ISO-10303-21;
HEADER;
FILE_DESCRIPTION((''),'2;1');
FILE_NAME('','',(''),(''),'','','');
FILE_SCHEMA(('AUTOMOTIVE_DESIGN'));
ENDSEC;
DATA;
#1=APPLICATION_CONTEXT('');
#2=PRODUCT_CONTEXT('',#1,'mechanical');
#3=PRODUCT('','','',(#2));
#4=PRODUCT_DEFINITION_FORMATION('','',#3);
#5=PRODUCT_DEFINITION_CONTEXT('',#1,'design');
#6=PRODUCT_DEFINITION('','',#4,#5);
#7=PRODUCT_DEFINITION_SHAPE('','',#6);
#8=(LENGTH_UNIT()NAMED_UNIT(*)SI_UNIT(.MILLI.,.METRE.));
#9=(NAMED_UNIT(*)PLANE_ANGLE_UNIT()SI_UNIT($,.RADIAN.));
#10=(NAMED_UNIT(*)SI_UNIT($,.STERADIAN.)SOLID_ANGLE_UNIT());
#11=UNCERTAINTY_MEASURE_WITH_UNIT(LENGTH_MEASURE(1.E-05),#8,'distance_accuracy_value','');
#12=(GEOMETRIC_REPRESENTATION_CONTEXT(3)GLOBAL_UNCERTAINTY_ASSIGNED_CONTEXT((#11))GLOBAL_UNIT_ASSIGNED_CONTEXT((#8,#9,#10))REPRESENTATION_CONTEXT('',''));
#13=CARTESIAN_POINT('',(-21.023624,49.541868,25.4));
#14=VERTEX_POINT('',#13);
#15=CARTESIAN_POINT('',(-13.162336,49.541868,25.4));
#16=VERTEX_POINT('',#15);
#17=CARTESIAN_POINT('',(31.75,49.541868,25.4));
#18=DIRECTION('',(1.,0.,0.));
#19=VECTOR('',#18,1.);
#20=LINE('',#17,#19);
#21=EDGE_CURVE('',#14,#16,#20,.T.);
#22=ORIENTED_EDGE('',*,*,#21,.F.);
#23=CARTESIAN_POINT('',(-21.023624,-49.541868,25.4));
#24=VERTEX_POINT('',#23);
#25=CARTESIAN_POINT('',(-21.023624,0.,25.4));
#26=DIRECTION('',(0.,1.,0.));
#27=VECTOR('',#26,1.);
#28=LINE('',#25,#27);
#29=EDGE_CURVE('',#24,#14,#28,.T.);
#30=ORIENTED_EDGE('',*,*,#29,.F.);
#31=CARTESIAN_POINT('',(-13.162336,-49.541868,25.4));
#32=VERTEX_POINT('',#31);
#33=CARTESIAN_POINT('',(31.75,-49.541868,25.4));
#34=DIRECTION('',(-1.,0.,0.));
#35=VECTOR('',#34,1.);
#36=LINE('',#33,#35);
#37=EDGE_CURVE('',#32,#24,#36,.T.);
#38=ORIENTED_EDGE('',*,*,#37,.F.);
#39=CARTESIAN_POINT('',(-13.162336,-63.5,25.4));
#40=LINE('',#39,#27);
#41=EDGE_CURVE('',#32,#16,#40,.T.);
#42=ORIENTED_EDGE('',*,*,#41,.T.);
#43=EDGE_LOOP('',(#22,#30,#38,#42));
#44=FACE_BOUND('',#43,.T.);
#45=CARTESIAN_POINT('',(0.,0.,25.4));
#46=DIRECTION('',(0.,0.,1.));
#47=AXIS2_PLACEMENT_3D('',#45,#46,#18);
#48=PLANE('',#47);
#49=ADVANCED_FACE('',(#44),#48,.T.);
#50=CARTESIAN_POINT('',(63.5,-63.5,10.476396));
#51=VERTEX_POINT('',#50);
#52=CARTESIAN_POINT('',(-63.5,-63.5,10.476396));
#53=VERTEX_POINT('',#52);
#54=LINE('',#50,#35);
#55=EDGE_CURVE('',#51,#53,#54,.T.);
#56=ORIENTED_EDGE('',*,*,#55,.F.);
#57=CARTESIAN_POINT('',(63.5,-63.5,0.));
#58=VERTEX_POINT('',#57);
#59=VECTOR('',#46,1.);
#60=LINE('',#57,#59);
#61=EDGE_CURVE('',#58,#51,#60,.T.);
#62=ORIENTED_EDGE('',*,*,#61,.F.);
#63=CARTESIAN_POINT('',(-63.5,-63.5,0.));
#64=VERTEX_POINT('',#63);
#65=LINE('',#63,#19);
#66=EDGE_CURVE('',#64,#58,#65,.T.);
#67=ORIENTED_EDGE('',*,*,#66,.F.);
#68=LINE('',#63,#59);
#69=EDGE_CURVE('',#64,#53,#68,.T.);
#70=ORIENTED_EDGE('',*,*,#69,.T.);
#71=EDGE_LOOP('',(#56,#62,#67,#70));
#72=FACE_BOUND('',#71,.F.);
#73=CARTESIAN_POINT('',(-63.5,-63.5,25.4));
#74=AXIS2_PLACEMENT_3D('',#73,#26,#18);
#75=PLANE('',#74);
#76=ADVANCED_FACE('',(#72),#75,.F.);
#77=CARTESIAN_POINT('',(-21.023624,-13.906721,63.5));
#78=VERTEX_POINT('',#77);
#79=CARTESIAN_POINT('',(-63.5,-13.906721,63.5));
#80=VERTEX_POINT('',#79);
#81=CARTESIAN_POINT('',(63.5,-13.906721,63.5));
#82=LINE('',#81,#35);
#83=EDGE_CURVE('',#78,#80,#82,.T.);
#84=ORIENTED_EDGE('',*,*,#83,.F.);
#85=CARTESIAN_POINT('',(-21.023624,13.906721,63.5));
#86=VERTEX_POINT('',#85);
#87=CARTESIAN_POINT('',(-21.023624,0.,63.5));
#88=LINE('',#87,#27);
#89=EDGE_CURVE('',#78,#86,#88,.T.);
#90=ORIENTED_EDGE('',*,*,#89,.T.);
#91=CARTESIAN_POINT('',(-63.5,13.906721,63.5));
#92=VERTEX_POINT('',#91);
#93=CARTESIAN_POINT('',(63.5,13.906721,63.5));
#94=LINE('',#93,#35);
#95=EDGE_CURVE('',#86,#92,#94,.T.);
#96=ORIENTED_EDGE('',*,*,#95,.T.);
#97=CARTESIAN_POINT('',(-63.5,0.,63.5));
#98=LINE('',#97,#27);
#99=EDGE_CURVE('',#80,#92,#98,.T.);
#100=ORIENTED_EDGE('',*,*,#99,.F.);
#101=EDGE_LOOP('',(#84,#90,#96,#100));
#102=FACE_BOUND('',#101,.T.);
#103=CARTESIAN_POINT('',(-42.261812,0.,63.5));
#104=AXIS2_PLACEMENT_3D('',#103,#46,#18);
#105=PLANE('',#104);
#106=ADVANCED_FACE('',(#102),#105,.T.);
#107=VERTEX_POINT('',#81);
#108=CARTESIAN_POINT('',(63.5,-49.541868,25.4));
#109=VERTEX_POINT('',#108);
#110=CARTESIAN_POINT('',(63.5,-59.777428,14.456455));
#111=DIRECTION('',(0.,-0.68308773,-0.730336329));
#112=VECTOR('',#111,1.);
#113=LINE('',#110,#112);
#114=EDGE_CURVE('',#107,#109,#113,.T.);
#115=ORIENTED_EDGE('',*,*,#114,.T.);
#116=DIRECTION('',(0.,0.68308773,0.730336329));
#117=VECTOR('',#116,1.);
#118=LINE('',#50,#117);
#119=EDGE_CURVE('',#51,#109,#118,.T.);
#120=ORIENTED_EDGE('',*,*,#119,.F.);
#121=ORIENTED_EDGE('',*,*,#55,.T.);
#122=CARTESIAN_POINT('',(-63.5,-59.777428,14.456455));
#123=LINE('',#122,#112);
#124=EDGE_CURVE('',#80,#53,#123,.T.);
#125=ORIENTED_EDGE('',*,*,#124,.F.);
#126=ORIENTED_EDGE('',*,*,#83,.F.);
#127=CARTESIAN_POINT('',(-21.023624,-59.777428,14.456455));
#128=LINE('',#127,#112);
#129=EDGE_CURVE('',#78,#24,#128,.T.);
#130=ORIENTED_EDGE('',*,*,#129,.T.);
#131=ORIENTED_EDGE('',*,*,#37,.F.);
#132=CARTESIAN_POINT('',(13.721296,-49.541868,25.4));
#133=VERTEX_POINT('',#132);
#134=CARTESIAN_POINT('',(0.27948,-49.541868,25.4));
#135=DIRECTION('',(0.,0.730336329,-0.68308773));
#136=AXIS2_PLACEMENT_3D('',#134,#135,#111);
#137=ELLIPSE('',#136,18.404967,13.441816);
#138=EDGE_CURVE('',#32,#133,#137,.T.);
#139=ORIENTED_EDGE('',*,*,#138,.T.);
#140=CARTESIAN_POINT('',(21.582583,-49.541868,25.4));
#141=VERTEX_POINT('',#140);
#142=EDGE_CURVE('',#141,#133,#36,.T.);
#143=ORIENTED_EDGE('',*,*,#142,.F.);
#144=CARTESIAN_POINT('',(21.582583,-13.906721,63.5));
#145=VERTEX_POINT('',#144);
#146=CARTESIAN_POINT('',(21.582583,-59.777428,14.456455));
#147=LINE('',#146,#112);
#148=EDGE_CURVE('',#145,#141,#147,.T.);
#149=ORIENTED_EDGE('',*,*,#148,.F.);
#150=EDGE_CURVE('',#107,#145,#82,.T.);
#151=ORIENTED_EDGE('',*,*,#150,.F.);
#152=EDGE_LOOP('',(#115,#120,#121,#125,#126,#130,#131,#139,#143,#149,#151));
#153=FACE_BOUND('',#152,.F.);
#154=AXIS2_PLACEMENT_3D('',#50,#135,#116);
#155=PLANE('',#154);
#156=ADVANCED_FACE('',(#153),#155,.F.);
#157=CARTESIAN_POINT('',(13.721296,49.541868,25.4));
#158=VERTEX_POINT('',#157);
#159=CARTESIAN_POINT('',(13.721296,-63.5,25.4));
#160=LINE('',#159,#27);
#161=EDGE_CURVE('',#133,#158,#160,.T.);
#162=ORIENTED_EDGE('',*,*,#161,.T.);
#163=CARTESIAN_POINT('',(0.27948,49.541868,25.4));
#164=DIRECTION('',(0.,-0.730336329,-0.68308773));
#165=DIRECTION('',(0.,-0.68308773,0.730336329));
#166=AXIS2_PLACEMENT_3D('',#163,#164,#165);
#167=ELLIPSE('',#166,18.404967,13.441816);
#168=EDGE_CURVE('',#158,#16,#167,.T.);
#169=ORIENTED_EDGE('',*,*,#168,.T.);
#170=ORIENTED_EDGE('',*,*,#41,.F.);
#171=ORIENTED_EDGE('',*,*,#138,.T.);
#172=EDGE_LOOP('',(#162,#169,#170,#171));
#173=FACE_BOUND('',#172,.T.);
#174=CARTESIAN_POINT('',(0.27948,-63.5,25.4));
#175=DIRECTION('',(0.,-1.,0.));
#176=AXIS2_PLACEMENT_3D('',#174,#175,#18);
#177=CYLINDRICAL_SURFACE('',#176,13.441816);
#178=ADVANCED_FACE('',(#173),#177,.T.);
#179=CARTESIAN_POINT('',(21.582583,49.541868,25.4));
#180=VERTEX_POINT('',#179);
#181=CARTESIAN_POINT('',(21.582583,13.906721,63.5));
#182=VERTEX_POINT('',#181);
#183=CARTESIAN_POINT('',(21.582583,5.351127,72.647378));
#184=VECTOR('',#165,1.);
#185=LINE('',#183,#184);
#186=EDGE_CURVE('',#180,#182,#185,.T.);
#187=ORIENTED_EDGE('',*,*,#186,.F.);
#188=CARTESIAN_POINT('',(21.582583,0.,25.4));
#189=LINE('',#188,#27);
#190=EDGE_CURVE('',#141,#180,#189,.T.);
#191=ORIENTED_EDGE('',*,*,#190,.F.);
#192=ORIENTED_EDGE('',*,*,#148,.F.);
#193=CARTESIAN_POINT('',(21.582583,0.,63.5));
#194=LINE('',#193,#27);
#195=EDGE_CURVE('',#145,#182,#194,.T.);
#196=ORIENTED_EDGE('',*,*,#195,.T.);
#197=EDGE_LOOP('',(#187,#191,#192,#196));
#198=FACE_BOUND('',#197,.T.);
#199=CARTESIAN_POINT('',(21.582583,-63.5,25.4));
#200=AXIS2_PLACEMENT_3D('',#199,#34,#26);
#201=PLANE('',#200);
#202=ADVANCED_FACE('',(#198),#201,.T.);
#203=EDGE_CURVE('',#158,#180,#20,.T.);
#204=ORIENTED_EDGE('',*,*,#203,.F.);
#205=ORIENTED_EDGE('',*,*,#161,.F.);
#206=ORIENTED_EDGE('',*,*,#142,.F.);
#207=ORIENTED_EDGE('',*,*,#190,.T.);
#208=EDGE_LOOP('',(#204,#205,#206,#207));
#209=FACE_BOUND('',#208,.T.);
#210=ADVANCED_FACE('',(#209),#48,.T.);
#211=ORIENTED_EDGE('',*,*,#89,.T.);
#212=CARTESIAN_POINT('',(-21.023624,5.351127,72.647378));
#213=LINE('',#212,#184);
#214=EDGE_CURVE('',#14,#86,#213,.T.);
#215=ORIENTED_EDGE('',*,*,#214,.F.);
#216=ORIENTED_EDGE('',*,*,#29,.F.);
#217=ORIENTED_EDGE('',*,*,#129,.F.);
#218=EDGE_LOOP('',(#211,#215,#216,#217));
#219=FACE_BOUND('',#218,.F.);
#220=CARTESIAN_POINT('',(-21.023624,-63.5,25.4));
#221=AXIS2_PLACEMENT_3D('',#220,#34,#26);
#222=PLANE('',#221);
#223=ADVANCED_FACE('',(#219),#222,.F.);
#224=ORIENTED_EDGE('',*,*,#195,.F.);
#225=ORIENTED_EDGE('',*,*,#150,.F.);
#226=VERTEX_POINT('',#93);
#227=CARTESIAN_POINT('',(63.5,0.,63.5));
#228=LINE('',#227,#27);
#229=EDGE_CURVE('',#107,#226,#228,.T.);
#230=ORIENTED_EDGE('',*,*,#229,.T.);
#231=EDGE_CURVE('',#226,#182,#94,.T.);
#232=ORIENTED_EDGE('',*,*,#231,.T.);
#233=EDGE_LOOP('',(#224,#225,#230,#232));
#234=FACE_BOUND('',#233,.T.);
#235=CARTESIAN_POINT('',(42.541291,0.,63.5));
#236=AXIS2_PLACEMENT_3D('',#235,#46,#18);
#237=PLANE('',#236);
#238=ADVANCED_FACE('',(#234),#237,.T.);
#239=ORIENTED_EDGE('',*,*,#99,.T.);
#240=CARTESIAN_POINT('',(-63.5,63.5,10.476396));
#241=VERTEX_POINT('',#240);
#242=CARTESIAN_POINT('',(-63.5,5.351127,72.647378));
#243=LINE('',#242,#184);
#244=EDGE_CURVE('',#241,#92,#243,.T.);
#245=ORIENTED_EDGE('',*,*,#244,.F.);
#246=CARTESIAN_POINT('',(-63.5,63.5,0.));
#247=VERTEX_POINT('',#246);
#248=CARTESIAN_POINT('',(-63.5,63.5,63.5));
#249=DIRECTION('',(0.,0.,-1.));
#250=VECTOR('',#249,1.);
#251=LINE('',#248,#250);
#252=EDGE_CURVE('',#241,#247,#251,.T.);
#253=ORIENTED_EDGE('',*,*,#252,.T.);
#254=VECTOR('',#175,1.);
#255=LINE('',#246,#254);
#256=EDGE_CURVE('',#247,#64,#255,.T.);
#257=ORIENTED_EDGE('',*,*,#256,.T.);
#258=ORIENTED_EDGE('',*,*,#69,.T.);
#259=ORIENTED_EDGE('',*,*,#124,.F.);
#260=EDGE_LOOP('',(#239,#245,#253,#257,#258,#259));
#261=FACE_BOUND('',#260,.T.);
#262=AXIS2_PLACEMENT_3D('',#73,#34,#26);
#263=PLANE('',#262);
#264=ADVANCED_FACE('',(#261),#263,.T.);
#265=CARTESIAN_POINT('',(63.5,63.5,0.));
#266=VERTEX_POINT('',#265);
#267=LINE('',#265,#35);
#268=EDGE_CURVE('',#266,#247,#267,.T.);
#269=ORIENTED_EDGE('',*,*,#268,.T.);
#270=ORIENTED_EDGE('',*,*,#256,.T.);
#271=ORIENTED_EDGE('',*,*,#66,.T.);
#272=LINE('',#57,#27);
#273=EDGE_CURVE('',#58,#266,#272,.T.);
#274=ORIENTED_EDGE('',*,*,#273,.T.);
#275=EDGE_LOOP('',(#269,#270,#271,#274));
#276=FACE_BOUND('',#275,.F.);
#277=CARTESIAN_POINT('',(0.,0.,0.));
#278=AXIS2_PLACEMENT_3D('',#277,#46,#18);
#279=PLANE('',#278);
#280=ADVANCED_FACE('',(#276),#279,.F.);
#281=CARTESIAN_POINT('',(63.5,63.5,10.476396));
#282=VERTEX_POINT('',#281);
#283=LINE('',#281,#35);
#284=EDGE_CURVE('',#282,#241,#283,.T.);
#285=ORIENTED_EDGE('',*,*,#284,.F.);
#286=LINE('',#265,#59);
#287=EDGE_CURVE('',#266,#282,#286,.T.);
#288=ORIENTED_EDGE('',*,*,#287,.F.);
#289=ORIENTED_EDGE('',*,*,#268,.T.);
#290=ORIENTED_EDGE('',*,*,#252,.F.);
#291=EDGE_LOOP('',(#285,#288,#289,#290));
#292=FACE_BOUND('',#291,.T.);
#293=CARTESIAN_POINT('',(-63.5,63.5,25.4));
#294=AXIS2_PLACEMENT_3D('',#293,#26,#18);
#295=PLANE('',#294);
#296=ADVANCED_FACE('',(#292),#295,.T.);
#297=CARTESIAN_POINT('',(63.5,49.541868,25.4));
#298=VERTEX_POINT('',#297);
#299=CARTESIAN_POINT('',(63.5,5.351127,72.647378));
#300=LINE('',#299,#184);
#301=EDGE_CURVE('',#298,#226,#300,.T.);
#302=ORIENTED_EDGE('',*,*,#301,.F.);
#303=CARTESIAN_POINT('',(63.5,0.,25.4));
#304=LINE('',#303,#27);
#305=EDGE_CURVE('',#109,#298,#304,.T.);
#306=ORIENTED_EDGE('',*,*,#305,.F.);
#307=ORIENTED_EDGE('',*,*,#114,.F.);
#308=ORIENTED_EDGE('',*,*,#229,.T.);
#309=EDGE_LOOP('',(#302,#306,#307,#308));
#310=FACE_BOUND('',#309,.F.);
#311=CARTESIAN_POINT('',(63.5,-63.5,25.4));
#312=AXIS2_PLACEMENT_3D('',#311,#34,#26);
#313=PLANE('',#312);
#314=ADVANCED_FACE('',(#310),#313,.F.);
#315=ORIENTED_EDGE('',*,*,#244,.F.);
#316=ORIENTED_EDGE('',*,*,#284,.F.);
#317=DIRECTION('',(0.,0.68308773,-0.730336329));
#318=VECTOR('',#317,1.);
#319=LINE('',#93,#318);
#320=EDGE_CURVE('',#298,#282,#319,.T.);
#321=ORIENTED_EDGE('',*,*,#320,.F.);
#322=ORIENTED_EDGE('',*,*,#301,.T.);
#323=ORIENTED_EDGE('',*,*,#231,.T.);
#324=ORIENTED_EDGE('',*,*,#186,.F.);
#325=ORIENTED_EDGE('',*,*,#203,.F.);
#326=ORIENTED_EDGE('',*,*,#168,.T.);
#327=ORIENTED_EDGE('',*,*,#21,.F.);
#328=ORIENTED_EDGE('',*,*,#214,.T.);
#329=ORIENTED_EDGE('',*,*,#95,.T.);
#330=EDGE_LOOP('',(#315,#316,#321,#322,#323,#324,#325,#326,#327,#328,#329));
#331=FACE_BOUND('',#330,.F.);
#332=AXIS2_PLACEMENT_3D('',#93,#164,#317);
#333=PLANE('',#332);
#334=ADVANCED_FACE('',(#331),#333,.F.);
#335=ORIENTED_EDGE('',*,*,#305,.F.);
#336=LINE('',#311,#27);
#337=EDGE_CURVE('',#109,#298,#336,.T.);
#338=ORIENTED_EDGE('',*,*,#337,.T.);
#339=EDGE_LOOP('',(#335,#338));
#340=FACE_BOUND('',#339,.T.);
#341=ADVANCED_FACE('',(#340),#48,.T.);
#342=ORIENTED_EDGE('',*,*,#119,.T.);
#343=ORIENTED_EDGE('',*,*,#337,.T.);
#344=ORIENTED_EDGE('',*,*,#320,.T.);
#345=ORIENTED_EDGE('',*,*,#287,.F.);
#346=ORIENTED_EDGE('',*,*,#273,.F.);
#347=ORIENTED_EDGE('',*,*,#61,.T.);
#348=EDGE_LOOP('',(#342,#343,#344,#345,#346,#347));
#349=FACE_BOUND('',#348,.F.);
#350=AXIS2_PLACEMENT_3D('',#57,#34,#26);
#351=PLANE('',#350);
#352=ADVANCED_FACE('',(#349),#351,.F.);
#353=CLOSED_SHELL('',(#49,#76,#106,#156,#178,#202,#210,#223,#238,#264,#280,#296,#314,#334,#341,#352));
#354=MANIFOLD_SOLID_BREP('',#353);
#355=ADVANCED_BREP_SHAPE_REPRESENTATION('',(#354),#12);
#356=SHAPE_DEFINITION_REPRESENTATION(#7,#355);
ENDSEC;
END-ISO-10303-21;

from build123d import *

# Parameters (mm, degrees)
F1_DEPTH = 25.4
F3_W     = 42.476376
F3_H     = 127
F4_DEPTH = 38.1
F2_W     = 41.917417
F2_H     = 127
F5_DEPTH = 38.1
F7_DEPTH = 127
F9_DEPTH = 127.001


with BuildPart() as f1:
    # F0 (on Top) → F1 (new body)
    with BuildSketch(Plane.XY):
        Polygon((63.5, 63.5), (0, 63.5), (-63.5, 63.5), (-63.5, 0), (-63.5, -63.5), (0, -63.5), (63.5, -63.5), (63.5, 0), align=None)
    extrude(amount=F1_DEPTH)

    # F3 (on face) → F4 (join)
    with BuildSketch(Plane.XY.offset(25.4)):
        with Locations((-42.261812, 0)):
            Rectangle(F3_W, F3_H)
    extrude(amount=F4_DEPTH)

    # F2 (on face) → F5 (join)
    with BuildSketch(Plane.XY.offset(25.4)):
        with Locations((42.541291, 0)):
            Rectangle(F2_W, F2_H)
    extrude(amount=F5_DEPTH)

    # F6 (on face) → F7 (join)
    with BuildSketch(Plane.XZ.offset(63.5)):
        with BuildLine():
            Line((-13.162336, 25.4), (13.721296, 25.4))
            ThreePointArc((13.721296, 25.4), (0.27948, 38.841816), (-13.162336, 25.4))
        make_face()
    extrude(amount=-F7_DEPTH)

    # F8 (on face) → F9 (cut, through all)
    with BuildSketch(Plane.YZ.offset(63.5)):
        Polygon((-63.5, 10.476396), (-13.906721, 63.5), (-63.5, 63.5), align=None)
        Polygon((63.5, 10.476396), (63.5, 63.5), (13.906721, 63.5), align=None)
    extrude(amount=-F9_DEPTH, mode=Mode.SUBTRACT)


solid = f1.part
